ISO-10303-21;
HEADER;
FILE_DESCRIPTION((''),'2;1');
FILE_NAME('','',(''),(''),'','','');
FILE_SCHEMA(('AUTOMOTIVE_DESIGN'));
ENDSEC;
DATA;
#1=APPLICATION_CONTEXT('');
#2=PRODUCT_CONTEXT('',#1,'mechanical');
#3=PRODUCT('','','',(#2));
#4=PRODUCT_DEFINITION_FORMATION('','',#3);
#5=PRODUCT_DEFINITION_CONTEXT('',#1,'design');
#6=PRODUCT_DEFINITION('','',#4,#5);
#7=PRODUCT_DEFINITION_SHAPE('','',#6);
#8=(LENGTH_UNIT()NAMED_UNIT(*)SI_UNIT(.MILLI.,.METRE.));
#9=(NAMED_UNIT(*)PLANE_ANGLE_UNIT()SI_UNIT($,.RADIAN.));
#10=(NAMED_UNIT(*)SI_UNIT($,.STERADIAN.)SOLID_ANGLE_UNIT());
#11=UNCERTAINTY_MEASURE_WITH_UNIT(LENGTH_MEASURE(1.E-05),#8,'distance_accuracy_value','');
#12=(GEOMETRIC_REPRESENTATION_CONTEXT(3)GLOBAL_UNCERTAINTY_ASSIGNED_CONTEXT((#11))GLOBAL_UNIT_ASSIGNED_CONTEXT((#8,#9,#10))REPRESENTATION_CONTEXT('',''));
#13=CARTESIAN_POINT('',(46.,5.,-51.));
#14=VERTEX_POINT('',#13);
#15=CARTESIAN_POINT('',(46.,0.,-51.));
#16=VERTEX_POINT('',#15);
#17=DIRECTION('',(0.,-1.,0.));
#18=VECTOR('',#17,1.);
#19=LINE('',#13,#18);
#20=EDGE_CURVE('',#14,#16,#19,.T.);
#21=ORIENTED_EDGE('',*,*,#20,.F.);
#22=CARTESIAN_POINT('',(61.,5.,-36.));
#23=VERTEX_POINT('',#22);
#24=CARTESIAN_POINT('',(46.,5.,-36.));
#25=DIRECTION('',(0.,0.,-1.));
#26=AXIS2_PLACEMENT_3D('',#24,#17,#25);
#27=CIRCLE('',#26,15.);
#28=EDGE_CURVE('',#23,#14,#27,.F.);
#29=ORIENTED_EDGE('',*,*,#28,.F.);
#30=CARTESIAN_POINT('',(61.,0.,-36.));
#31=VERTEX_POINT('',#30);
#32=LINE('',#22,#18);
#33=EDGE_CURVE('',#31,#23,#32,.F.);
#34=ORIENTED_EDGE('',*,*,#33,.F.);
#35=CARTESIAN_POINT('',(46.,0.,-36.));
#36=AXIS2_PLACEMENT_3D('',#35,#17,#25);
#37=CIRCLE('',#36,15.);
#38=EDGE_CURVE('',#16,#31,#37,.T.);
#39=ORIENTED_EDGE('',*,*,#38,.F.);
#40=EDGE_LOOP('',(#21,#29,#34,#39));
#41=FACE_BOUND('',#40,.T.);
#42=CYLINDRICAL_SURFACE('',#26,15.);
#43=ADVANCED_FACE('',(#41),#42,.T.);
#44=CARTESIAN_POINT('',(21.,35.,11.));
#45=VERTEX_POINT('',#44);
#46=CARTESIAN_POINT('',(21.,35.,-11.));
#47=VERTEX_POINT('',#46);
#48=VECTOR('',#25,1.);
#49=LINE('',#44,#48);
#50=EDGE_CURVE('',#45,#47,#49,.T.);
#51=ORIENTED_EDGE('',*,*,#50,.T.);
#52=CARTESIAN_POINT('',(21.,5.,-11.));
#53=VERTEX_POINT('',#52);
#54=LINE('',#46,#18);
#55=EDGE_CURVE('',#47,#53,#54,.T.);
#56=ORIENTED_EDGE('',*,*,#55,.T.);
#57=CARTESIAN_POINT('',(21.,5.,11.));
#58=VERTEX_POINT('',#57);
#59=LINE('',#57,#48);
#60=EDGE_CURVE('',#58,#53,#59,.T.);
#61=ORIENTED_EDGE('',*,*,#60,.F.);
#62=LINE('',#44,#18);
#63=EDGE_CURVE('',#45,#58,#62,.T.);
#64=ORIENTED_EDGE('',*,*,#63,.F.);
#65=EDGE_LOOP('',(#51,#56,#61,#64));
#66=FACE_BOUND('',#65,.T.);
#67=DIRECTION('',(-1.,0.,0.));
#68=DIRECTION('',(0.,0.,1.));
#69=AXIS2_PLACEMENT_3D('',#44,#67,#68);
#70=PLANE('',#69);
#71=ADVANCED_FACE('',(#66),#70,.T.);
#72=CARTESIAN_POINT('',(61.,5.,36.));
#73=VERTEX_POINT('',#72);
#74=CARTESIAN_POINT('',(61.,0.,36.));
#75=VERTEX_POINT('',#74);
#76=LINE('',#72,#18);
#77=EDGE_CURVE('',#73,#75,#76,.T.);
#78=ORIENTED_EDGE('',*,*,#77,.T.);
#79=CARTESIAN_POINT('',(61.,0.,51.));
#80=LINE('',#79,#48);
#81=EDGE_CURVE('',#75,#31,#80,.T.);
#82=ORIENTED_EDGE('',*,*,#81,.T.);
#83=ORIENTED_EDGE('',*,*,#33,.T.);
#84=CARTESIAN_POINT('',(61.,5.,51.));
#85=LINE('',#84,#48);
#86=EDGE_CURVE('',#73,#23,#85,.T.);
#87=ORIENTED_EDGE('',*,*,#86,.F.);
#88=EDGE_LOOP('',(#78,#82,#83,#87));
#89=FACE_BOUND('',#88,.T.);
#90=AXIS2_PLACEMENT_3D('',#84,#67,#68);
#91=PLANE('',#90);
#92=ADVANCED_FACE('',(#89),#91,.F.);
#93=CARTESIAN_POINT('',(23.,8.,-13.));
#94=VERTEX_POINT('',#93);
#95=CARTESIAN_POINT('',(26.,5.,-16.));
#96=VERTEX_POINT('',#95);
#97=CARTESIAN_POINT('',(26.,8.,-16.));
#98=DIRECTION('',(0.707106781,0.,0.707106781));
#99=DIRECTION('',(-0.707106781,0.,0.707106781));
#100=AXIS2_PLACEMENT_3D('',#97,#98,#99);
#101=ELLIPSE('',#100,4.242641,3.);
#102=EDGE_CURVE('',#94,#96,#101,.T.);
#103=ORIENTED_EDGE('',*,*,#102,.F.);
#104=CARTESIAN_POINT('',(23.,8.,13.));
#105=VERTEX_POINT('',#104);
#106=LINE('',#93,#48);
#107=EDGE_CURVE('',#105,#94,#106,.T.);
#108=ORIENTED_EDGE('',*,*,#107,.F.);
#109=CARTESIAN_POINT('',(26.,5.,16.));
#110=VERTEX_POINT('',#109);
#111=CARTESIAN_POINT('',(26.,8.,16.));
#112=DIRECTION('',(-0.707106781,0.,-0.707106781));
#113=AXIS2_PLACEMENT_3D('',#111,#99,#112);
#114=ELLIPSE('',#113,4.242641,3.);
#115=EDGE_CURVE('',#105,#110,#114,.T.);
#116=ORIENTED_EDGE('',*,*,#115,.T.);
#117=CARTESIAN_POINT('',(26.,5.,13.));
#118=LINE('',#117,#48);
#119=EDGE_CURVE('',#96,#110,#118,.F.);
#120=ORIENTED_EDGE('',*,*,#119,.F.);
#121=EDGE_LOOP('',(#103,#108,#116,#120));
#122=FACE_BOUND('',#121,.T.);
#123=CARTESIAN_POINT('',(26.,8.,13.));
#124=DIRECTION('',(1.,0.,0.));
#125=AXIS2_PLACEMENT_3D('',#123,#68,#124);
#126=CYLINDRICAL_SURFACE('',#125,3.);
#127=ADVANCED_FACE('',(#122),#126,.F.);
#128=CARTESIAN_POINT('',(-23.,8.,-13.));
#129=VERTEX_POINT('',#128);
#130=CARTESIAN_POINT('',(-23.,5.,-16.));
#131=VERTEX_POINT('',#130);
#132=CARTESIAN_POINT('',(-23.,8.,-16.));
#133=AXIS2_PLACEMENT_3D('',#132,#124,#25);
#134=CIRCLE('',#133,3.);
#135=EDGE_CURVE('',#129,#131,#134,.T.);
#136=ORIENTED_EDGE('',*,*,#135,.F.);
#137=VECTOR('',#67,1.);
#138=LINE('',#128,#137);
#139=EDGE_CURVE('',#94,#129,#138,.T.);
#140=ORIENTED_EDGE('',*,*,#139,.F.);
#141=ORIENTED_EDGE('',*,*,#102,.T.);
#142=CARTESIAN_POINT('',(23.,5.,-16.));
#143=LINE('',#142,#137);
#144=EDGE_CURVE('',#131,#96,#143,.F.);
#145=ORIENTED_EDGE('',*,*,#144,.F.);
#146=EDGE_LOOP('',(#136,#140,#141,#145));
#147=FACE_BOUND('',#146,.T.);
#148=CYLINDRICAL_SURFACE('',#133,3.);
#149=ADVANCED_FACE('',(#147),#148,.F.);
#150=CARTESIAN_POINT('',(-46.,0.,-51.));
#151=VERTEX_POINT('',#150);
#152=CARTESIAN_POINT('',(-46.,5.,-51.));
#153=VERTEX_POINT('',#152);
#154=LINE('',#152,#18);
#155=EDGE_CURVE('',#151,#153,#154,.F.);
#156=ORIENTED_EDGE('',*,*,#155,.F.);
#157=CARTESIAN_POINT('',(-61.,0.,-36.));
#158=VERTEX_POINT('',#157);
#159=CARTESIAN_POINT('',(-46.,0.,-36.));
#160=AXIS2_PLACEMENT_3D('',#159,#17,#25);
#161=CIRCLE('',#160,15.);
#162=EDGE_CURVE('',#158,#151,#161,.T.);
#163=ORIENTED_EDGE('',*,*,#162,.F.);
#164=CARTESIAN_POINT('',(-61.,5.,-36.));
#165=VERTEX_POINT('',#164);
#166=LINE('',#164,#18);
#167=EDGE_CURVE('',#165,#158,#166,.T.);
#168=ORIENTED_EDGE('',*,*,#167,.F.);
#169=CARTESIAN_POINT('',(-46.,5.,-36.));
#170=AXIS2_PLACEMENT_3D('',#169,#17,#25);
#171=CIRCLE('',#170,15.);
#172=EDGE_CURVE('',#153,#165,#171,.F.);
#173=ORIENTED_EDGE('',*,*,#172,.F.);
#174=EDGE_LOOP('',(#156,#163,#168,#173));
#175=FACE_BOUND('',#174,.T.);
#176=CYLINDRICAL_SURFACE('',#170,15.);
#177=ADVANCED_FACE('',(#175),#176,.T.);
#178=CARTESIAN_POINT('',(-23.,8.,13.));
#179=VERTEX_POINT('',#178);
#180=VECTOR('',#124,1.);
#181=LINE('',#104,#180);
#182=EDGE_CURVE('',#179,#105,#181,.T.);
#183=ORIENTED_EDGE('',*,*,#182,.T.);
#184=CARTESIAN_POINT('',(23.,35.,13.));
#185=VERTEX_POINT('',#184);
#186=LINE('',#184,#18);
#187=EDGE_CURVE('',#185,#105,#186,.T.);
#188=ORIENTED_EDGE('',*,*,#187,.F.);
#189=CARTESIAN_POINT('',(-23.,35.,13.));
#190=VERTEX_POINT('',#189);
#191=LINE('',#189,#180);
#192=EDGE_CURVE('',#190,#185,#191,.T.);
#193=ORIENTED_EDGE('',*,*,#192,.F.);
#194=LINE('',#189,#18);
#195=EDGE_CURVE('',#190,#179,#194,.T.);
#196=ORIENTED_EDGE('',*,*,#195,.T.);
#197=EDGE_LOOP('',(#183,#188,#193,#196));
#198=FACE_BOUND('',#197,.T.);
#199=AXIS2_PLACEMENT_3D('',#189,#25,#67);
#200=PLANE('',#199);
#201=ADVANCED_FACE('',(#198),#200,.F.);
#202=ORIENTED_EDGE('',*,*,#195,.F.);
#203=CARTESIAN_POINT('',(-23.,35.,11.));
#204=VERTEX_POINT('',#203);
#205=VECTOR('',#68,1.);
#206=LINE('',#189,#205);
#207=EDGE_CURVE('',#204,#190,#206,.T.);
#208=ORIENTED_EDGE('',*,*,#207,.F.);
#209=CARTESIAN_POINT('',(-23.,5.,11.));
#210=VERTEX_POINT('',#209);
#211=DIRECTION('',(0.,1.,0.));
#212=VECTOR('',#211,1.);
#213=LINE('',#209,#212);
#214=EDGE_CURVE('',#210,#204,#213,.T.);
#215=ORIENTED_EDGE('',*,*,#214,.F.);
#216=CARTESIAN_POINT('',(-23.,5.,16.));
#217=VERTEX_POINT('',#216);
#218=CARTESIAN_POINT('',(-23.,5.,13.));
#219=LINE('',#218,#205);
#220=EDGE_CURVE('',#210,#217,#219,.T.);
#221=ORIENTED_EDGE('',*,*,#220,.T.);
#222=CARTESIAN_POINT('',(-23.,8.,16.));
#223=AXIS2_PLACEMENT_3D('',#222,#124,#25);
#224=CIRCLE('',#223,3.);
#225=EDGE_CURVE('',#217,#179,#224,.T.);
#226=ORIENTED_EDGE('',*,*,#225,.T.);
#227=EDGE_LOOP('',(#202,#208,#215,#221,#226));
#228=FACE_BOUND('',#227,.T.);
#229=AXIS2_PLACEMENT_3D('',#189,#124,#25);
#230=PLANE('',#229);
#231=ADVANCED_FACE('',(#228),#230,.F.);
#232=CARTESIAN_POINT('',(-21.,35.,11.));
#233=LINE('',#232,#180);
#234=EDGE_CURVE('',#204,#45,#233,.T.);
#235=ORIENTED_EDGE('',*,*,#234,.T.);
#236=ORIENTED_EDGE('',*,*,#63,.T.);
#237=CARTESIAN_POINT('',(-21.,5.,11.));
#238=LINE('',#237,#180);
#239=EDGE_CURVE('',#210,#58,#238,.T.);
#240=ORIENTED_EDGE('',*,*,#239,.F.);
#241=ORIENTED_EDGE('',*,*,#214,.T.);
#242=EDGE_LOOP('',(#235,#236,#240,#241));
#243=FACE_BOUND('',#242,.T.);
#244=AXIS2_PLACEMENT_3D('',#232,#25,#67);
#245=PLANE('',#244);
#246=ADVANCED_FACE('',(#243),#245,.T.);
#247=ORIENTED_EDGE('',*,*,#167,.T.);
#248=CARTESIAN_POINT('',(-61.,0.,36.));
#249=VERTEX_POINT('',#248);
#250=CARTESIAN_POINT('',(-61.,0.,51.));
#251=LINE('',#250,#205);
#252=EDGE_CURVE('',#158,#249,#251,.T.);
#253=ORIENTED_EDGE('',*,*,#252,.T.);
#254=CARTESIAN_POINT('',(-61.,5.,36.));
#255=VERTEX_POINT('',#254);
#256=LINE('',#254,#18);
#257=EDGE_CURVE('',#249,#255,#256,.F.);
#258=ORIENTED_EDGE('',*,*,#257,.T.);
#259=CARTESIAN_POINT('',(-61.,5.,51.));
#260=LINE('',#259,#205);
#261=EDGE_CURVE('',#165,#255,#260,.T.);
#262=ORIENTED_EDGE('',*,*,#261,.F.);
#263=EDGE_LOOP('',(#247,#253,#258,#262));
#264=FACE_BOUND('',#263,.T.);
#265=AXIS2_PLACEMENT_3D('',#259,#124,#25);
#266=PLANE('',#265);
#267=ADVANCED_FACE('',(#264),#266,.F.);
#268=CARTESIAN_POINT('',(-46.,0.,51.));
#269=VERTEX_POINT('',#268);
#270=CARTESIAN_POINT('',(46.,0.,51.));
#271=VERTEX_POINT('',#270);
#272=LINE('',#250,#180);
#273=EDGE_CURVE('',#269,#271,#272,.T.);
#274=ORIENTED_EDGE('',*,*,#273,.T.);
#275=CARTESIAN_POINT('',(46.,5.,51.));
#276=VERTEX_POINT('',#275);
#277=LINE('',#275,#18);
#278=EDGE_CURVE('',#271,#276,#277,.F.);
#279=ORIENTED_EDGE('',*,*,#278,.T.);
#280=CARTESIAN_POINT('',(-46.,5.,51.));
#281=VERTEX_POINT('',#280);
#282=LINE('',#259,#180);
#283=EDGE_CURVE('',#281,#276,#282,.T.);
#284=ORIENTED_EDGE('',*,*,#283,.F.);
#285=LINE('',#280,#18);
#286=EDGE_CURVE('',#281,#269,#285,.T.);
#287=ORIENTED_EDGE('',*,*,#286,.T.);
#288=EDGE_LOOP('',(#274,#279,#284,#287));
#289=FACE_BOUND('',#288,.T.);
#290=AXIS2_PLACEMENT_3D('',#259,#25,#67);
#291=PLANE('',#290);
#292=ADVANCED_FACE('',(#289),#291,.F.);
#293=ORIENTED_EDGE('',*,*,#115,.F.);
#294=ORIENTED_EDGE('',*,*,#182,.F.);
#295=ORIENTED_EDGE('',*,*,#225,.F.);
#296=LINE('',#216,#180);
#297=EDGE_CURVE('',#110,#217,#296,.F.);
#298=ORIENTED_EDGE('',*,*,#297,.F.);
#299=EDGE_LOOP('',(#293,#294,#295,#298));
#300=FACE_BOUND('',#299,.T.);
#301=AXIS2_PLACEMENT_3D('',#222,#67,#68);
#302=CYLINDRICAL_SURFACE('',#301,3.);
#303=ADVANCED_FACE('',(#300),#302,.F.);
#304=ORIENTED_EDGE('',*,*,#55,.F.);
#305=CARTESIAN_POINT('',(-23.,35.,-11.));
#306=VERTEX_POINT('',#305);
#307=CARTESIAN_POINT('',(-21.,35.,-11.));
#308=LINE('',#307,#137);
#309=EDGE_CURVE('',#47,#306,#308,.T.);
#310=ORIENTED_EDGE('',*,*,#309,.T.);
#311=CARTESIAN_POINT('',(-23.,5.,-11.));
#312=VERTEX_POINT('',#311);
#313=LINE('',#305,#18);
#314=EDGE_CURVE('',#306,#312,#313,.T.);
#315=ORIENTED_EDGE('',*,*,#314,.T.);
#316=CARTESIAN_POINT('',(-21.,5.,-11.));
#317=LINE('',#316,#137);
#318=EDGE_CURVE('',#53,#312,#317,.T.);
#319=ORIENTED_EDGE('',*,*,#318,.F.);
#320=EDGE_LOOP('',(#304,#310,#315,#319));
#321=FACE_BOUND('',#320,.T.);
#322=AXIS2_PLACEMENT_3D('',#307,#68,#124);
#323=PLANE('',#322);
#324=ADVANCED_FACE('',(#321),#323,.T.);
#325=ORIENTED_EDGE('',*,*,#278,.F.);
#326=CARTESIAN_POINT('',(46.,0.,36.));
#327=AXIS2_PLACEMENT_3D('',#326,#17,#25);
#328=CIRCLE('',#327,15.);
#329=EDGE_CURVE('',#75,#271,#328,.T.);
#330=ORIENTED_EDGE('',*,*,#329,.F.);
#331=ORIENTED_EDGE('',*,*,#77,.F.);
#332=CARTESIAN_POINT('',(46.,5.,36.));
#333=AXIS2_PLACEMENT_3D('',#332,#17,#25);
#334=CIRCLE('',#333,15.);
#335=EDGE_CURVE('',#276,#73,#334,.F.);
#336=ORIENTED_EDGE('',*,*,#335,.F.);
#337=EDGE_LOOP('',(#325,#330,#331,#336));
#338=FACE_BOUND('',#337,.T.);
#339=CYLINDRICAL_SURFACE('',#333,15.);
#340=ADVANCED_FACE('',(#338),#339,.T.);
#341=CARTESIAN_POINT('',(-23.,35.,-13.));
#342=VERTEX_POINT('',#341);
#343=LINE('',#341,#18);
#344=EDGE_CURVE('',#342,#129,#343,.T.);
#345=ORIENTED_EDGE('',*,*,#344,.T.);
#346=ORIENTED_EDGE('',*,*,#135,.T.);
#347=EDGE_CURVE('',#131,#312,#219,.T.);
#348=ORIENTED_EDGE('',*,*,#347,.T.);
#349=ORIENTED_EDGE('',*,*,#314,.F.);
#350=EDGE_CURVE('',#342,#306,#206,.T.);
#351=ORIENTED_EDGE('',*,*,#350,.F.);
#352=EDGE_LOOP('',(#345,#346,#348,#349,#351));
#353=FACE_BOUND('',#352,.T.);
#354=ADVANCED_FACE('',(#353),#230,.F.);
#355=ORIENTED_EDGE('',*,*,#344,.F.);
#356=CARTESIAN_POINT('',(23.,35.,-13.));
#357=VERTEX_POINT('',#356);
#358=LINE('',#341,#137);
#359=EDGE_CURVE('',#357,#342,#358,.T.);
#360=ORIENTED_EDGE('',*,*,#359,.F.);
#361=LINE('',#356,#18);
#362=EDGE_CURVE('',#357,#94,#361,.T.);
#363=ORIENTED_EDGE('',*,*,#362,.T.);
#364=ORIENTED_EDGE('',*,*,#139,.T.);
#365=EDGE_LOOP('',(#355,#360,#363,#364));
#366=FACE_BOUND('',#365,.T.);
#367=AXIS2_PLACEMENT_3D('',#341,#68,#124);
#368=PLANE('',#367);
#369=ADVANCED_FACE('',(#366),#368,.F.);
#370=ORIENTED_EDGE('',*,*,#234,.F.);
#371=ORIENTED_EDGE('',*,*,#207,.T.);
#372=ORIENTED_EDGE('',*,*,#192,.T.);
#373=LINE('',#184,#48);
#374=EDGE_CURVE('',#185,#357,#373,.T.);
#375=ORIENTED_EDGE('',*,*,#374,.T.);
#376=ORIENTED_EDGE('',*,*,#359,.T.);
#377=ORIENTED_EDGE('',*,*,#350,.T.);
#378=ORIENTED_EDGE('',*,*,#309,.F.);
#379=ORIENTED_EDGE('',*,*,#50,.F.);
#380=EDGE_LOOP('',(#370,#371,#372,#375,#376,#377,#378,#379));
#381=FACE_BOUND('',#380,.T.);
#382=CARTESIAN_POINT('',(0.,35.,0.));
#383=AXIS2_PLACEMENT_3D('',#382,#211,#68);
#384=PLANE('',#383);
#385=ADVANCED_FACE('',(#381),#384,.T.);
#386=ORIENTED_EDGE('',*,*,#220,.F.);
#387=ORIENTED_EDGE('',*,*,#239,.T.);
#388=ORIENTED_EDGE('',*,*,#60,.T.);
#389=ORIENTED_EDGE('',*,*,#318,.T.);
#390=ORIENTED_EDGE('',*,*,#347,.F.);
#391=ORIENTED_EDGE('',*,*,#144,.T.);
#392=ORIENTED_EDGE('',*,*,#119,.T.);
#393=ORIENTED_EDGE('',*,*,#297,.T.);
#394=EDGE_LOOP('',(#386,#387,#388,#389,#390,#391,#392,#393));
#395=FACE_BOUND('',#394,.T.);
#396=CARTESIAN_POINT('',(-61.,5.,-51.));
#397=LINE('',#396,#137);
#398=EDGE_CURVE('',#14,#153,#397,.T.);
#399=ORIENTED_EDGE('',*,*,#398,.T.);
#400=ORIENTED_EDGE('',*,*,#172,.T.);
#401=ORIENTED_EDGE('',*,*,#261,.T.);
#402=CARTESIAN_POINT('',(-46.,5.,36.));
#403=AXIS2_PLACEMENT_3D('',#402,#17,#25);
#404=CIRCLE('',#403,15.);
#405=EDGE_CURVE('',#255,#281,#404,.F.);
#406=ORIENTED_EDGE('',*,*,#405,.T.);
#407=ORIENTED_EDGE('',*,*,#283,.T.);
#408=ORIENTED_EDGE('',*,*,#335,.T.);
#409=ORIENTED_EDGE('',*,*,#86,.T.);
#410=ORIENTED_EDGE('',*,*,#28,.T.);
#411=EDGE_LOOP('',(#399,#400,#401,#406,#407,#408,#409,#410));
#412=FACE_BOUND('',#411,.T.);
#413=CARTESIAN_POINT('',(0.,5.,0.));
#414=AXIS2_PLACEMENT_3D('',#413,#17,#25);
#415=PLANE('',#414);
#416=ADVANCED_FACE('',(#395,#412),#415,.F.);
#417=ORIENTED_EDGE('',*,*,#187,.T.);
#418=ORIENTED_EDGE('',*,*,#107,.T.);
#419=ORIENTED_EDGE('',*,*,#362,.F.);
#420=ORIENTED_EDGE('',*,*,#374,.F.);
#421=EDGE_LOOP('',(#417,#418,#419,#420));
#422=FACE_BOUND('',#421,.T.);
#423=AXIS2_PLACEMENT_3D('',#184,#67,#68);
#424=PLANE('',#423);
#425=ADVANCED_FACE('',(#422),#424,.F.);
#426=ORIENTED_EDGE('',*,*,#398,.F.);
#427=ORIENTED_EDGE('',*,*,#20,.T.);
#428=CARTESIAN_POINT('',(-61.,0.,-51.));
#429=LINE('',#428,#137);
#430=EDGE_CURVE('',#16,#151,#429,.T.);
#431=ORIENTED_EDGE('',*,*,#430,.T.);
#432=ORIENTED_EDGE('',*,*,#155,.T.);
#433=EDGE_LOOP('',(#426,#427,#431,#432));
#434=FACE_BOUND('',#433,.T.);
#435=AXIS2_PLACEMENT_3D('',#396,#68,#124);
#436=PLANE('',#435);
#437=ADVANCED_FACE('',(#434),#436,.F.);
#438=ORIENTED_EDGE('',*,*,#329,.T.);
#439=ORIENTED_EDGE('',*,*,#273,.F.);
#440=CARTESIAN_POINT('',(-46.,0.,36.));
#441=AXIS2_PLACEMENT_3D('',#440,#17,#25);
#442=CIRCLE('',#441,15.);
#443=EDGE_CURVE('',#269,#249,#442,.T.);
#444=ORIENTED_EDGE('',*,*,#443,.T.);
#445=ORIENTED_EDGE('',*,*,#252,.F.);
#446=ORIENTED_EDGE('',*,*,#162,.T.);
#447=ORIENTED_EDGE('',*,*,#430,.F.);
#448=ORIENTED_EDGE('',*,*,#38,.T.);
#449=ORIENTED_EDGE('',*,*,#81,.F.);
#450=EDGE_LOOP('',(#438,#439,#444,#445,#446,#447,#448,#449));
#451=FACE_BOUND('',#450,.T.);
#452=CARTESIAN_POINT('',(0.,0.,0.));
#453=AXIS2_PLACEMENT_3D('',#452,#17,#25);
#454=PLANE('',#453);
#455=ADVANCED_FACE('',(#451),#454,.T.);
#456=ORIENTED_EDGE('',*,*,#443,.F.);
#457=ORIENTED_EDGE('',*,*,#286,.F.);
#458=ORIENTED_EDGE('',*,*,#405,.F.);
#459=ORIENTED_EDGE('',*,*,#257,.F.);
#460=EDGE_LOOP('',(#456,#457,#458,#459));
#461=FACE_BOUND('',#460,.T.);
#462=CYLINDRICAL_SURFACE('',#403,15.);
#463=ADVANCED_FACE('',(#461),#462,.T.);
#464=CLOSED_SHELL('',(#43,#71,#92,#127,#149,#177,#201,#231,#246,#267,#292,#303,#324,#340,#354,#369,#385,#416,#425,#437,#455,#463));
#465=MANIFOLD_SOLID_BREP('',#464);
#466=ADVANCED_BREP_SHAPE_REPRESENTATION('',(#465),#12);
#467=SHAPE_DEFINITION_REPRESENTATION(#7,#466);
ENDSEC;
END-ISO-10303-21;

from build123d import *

# Parameters (mm, degrees)
SKETCH1_W           = 122
SKETCH1_H           = 102
BOSS_EXTRUDE1_DEPTH = 5
SKETCH2_W           = 46
SKETCH2_H           = 26
SKETCH2_W_2         = 42
SKETCH2_H_2         = 22
BOSS_EXTRUDE2_DEPTH = 30
SKETCH3_W           = 22
SKETCH3_H           = 30
CUT_EXTRUDE1_DEPTH  = 2
FILLET1_R           = 3
FILLET2_R           = 15


with BuildPart() as part:
    # Sketch1 → Boss-Extrude1 (new body)
    with BuildSketch(Plane(origin=(0, 0, 0), x_dir=(1, 0, 0), z_dir=(0, 1, 0))):
        Rectangle(SKETCH1_W, SKETCH1_H)
    extrude(amount=BOSS_EXTRUDE1_DEPTH)

    # Sketch2 → Boss-Extrude2 (add)
    with BuildSketch(Plane(origin=(0, 5, 0), x_dir=(1, 0, 0), z_dir=(0, 1, 0))):
        Rectangle(SKETCH2_W, SKETCH2_H)
        Rectangle(SKETCH2_W_2, SKETCH2_H_2, mode=Mode.SUBTRACT)
    extrude(amount=BOSS_EXTRUDE2_DEPTH)

    # Sketch3 → Cut-Extrude1 (cut)
    with BuildSketch(Plane.ZY.offset(23)):
        with Locations((0, 20)):
            Rectangle(SKETCH3_W, SKETCH3_H)
    extrude(amount=-CUT_EXTRUDE1_DEPTH, mode=Mode.SUBTRACT)

    # Fillet1
    fillet1_edges = [part.edges().sort_by_distance(p)[0] for p in [
        (0, 5, 13),
        (23, 5, 0),
        (0, 5, -13),
    ]]
    fillet(fillet1_edges, radius=FILLET1_R)

    # Fillet2
    fillet2_edges = [part.edges().sort_by_distance(p)[0] for p in [
        (-61, 2.5, -51),
        (61, 2.5, -51),
        (61, 2.5, 51),
        (-61, 2.5, 51),
    ]]
    fillet(fillet2_edges, radius=FILLET2_R)


solid = part.part
